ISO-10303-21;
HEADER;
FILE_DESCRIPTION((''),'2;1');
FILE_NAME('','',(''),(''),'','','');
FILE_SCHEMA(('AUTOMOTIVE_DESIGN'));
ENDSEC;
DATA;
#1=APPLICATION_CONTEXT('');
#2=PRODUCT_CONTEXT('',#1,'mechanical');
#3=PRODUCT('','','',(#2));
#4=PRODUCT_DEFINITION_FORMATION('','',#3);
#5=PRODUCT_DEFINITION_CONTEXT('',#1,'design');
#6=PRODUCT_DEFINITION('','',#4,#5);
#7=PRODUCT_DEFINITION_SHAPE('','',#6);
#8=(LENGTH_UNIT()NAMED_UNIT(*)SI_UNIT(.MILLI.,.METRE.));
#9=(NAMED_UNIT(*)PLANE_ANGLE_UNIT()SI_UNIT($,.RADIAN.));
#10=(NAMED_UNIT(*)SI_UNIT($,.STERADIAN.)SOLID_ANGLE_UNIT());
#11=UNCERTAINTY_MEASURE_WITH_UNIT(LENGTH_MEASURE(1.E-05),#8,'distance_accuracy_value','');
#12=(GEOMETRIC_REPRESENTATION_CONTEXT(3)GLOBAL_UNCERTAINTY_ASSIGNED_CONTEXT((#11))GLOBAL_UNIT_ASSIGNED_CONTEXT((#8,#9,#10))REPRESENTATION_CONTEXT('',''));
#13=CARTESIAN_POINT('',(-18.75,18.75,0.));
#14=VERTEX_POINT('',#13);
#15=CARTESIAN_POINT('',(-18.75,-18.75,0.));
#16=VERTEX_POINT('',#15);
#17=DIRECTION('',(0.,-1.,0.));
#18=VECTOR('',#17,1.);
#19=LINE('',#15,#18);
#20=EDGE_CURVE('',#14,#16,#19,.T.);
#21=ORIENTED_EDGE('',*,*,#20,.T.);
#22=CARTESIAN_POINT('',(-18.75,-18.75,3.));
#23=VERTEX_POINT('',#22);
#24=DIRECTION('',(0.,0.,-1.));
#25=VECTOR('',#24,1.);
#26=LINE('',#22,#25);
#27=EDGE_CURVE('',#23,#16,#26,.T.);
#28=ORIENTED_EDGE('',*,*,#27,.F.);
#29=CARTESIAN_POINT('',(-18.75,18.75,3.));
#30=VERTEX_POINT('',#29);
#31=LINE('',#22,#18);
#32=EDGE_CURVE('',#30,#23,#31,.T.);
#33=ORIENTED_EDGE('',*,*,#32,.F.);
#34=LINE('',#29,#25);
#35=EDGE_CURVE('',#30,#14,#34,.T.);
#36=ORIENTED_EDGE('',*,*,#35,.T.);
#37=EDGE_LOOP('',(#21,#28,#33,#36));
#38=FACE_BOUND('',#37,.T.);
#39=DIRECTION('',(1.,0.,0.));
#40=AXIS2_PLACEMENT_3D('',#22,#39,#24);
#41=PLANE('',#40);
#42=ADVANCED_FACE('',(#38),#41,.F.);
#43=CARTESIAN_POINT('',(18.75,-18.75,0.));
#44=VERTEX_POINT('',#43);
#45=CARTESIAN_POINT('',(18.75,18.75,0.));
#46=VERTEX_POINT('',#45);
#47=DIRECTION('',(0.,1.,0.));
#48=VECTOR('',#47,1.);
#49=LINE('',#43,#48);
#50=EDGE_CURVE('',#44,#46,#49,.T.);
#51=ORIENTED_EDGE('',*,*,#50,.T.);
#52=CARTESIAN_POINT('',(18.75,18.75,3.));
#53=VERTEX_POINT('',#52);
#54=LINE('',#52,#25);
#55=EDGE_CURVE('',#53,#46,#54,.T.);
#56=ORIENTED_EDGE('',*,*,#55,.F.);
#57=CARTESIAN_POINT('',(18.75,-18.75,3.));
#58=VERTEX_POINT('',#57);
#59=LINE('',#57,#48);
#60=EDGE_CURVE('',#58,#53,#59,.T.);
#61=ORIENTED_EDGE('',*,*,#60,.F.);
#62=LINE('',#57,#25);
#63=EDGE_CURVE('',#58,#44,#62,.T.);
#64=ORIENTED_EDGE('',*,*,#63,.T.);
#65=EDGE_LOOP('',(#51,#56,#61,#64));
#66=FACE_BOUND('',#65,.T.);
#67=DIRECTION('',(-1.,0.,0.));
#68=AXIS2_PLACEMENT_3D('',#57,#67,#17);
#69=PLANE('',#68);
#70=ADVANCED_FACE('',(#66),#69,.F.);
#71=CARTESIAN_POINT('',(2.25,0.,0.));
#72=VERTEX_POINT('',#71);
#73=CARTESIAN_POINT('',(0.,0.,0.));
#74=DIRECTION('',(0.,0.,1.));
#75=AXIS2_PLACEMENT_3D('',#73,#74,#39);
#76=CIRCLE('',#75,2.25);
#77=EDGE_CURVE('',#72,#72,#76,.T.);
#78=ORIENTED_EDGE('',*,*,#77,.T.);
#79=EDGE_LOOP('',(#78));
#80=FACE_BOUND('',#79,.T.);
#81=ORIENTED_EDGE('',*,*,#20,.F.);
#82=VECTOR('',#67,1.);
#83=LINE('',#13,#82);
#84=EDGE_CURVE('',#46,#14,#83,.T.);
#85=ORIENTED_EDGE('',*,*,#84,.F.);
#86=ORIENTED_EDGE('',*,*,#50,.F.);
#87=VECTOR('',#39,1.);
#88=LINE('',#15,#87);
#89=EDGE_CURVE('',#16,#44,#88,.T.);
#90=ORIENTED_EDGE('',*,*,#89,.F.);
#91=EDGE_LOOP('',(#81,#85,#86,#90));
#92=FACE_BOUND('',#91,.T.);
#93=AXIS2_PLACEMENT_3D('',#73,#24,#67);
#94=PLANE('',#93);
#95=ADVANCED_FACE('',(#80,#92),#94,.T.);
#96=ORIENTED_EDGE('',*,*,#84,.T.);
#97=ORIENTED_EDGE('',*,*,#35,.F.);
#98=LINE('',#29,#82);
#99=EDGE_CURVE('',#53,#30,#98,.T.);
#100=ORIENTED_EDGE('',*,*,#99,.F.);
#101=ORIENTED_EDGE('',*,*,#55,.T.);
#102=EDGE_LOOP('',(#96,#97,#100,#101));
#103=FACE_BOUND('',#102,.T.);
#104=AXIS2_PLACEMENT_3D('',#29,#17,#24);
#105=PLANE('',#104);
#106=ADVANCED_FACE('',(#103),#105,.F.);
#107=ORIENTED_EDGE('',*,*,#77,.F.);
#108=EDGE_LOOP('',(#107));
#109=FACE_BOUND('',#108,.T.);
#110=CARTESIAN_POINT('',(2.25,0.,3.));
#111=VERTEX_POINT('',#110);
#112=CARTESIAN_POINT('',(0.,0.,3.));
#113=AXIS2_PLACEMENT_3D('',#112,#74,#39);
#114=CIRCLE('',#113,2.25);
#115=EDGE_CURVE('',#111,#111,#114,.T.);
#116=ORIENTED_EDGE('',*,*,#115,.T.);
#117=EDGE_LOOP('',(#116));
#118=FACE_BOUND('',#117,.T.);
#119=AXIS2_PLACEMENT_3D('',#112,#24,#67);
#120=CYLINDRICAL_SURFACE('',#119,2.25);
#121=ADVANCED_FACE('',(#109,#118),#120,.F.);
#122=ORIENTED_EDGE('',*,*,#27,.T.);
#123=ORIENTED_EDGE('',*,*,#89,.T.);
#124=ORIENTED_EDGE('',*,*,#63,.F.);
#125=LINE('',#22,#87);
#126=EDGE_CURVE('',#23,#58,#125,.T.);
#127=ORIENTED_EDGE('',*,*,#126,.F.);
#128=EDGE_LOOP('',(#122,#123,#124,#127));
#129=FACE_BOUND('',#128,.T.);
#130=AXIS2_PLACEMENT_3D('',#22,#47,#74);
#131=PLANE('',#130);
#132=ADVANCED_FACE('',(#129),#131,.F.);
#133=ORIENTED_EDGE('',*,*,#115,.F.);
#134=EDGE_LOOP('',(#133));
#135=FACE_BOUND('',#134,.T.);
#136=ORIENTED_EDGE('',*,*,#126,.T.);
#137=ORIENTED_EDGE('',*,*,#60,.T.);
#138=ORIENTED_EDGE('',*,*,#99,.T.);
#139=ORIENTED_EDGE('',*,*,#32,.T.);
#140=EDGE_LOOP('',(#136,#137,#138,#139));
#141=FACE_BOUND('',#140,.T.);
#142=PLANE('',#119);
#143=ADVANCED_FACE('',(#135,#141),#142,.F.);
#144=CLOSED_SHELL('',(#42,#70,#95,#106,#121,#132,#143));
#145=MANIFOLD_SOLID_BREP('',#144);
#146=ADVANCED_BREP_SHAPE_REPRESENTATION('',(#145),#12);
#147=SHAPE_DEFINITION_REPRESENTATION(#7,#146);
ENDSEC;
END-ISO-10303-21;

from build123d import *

# Parameters (mm, degrees)
SKETCH1_W           = 37.5
SKETCH1_H           = 37.5
SKETCH1_R           = 2.25
BOSS_EXTRUDE1_DEPTH = 3


with BuildPart() as part:
    # Sketch1 → Boss-Extrude1 (new body)
    with BuildSketch(Plane.XY):
        Rectangle(SKETCH1_W, SKETCH1_H)
        Circle(SKETCH1_R, mode=Mode.SUBTRACT)
    extrude(amount=BOSS_EXTRUDE1_DEPTH)


solid = part.part
